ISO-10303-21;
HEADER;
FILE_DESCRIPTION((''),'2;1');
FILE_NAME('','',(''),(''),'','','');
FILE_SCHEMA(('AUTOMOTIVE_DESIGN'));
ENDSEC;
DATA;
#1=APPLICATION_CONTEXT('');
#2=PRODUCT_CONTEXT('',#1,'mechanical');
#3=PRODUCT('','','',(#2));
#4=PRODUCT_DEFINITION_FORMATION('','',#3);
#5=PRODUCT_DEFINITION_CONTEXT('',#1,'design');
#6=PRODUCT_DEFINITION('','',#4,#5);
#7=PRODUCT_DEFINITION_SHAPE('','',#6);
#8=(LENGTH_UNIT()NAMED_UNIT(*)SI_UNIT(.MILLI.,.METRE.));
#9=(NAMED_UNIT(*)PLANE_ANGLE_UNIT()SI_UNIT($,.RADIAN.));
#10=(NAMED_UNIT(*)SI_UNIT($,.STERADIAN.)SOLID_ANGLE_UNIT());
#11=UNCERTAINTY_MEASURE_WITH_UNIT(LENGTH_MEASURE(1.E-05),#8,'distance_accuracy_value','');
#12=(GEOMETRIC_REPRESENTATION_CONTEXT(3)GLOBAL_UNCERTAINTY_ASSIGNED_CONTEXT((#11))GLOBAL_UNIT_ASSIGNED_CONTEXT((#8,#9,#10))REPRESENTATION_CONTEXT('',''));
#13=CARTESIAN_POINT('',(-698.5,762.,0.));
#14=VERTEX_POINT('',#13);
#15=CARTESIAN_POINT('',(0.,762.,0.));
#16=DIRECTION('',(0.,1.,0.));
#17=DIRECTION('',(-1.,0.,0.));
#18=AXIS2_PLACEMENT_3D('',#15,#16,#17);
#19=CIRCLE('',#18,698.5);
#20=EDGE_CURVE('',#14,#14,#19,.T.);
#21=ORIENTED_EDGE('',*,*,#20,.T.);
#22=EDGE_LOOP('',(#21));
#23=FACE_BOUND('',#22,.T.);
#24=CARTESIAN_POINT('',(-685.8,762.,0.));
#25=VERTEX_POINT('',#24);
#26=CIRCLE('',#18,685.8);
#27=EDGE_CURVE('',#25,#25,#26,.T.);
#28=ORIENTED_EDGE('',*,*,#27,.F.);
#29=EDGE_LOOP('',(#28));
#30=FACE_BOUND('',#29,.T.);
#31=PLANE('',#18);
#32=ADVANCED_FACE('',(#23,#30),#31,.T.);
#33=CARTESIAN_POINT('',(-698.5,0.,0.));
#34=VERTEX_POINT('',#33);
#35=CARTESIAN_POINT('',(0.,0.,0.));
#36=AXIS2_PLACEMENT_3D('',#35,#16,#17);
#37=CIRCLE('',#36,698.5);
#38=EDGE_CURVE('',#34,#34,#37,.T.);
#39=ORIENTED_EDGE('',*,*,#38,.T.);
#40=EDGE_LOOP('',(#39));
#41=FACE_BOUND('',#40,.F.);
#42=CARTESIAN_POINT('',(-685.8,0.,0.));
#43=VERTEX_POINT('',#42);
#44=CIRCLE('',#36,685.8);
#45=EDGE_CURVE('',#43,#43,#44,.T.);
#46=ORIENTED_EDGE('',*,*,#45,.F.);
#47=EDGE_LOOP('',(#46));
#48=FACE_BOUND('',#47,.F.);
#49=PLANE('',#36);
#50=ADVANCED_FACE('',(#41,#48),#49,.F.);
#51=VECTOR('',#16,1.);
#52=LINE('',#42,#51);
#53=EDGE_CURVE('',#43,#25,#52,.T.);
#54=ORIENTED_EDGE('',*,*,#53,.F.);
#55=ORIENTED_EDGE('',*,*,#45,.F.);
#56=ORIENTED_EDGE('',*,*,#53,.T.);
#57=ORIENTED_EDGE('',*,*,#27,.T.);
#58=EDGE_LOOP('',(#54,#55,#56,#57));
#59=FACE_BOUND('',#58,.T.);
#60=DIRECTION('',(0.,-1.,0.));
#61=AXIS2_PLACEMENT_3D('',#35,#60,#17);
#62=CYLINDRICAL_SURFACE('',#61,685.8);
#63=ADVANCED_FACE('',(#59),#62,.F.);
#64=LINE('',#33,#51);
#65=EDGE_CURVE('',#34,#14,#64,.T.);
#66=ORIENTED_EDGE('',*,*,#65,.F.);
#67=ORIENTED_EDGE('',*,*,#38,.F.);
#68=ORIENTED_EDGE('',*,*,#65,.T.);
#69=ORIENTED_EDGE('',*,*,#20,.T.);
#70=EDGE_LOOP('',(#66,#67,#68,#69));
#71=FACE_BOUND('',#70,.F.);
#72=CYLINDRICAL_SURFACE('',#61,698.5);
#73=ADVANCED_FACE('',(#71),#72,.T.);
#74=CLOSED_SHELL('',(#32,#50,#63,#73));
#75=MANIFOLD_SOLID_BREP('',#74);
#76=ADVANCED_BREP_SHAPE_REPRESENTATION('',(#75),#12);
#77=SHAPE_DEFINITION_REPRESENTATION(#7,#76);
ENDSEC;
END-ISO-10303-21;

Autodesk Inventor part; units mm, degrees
ref_plane "YZ Plane" through (0, 0, 0) normal (1, 0, 0) x (0, 1, 0)
ref_plane "XZ Plane" through (0, 0, 0) normal (0, 1, 0) x (-1, 0, 0)
ref_plane "XY Plane" through (0, 0, 0) normal (0, 0, 1) x (1, 0, 0)
sketch "Sketch2" plane through (0, 0, 0) normal (0, 1, 0) x (-1, 0, 0)
  circle A0 centre (0, 0) radius 685.8
  circle A1 centre (0, 0) radius 698.5
  dimension "d0" = 1371.6
  dimension "d1" = 1397
extrude "Extrusion1" add sketch "Sketch2" along normal blind 762
properties part number "CylinderBoundary"
